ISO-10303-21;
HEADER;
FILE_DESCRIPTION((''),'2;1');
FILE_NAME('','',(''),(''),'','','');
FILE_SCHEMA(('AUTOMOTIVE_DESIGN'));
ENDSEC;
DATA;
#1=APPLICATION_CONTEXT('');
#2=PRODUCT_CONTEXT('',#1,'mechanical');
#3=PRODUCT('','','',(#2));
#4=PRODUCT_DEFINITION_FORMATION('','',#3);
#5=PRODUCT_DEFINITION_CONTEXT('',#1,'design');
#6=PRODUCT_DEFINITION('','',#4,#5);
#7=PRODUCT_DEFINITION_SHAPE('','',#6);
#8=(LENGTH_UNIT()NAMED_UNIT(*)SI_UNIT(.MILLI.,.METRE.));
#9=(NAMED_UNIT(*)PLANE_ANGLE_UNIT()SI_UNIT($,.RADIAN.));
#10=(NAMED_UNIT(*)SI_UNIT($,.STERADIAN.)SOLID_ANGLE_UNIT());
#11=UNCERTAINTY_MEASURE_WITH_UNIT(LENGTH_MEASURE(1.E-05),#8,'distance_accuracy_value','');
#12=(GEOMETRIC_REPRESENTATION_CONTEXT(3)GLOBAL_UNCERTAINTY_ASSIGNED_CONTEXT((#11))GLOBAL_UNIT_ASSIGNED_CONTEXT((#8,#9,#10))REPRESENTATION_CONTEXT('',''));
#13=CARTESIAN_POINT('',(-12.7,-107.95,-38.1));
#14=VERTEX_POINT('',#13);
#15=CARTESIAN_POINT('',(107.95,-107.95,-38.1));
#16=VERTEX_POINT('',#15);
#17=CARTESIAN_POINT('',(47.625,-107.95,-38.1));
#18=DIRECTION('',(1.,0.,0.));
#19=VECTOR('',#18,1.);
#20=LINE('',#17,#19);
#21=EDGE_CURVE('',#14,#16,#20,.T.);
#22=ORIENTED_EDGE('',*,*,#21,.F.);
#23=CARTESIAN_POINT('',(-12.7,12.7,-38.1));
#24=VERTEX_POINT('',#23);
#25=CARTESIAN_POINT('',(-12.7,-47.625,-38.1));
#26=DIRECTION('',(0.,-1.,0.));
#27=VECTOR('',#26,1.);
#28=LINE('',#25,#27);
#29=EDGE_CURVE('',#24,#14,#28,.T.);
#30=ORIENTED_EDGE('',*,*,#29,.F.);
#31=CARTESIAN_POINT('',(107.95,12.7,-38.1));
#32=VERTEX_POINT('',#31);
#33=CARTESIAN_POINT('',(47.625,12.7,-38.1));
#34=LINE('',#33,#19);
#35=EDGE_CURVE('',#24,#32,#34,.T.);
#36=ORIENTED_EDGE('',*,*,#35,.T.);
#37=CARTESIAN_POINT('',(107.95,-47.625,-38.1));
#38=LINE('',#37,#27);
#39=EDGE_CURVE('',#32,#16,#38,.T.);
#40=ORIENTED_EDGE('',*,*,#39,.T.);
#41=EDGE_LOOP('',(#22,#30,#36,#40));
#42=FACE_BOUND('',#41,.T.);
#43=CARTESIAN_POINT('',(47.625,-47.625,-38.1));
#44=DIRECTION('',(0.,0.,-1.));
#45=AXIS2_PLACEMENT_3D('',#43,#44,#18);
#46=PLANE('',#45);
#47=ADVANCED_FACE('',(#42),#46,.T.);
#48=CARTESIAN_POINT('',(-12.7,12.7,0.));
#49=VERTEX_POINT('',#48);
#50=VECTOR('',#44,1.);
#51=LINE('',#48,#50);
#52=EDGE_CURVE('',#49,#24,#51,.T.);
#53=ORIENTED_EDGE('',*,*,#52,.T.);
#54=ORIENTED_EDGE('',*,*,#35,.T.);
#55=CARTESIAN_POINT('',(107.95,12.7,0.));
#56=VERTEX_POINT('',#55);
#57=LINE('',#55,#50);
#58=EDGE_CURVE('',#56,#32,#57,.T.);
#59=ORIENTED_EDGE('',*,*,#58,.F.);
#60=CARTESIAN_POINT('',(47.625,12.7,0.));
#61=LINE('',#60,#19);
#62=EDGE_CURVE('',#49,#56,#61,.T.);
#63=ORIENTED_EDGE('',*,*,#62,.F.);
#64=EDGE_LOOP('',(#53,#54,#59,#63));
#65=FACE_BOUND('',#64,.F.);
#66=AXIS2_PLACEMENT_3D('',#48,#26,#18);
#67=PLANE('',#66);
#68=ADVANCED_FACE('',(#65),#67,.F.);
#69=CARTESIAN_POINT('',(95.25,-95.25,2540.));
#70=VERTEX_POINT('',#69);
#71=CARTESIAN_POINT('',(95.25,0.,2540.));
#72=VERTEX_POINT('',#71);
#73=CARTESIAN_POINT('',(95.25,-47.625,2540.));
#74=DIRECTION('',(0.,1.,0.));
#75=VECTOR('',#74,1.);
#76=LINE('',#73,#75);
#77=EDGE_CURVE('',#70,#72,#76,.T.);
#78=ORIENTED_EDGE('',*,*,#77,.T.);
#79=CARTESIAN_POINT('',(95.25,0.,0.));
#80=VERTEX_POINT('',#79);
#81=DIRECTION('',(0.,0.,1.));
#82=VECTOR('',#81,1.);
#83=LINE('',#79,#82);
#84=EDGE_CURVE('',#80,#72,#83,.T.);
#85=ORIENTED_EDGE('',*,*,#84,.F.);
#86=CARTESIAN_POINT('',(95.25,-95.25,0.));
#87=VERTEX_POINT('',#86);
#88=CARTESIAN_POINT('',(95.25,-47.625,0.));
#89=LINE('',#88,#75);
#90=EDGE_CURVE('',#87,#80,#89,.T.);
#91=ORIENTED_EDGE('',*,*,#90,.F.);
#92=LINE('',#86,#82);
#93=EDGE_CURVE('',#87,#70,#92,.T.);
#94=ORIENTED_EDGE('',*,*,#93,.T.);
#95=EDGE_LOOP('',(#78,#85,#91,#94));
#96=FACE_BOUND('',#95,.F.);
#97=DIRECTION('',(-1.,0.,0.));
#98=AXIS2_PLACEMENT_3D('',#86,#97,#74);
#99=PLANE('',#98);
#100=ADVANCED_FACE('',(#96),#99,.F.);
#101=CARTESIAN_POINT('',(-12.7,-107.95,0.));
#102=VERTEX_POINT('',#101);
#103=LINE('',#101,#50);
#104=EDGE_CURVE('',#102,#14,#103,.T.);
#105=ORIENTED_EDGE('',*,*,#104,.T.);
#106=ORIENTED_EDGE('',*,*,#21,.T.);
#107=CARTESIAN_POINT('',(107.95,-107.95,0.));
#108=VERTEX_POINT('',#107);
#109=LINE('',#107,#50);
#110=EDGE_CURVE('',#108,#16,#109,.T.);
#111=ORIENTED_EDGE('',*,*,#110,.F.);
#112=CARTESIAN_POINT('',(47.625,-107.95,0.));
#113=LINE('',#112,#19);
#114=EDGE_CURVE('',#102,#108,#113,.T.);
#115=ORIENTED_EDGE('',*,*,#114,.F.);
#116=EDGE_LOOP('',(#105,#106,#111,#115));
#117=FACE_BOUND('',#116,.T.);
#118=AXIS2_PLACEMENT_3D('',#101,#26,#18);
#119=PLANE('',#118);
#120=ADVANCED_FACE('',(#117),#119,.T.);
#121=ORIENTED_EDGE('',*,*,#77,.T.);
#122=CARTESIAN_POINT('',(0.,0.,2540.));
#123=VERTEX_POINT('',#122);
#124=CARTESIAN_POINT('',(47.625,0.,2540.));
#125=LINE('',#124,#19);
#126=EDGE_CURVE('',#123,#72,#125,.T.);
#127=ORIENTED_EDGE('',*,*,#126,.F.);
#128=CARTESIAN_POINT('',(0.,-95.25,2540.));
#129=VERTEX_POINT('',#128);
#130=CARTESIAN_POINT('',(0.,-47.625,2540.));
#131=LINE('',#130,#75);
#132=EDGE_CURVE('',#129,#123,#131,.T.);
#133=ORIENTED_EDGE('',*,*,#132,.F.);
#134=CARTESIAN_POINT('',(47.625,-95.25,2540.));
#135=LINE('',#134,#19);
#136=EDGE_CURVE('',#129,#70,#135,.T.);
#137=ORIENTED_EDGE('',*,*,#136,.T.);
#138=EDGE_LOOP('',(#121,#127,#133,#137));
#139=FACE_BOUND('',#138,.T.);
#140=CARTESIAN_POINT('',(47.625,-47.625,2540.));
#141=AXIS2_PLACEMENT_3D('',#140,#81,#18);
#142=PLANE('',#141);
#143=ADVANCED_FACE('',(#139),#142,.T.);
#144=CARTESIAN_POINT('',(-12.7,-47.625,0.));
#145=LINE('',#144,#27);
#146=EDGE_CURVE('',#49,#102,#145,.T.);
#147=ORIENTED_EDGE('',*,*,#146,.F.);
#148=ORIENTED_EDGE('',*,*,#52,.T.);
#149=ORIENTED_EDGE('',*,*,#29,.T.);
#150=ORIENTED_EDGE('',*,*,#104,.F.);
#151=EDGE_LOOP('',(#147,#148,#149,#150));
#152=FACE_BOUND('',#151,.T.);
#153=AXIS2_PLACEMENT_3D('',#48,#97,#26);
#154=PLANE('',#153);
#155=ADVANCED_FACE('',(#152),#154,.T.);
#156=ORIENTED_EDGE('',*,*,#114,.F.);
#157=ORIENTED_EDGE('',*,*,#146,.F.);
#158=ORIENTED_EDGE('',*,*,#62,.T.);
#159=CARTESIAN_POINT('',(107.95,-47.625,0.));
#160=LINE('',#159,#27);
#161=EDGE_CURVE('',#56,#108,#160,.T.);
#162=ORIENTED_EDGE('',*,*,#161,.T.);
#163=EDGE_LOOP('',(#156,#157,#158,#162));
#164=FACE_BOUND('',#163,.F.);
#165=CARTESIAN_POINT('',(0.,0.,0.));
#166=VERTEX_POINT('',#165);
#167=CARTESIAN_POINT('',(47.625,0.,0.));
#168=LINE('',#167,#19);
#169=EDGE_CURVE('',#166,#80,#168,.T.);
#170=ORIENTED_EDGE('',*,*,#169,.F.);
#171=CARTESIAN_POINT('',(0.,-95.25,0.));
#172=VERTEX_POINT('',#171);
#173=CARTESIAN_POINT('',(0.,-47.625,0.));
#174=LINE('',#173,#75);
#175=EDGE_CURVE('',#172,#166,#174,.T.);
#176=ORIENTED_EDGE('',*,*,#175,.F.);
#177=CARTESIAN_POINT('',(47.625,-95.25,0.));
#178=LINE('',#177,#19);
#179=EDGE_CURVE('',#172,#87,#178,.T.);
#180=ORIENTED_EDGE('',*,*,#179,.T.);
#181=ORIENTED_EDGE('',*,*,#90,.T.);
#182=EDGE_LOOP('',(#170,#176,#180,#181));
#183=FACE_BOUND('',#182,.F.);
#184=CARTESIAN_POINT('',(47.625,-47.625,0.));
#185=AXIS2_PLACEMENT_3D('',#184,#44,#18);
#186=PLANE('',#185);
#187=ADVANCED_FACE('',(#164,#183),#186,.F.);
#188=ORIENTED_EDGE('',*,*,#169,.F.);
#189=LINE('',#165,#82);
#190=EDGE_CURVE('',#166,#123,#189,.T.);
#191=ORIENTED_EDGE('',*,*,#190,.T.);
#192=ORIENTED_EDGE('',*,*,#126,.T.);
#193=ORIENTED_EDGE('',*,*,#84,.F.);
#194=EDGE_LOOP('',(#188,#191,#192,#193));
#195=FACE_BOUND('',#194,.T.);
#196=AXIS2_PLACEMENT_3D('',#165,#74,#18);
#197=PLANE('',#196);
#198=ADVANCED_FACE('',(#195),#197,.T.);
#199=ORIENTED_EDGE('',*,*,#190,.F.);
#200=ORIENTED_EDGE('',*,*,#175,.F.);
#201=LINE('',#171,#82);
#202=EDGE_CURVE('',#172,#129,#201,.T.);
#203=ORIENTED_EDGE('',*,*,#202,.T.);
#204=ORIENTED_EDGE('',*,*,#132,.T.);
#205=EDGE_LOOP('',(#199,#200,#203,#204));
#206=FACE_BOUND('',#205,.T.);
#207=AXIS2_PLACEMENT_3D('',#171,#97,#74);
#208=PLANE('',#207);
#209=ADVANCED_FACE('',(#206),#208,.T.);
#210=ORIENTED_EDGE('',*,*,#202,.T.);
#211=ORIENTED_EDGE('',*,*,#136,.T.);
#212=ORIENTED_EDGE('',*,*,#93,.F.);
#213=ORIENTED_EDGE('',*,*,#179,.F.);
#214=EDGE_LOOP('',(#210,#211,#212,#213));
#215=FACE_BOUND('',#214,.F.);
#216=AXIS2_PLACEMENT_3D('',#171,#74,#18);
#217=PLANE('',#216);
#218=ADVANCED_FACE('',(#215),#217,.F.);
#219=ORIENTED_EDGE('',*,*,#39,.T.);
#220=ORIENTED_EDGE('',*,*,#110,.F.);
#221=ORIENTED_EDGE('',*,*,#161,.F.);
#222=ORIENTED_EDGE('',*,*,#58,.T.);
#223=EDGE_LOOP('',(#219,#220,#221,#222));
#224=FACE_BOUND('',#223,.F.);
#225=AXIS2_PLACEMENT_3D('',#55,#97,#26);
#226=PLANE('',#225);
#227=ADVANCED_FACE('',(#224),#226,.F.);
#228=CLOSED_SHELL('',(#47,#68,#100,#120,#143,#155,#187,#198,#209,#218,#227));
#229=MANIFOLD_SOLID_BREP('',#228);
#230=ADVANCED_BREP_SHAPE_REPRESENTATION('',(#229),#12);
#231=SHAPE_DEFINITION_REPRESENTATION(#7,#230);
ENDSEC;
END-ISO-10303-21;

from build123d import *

# Parameters (mm, degrees)
F0_W     = 95.25
F0_H     = 95.25
F1_DEPTH = 2540
F2_W     = 120.65
F2_H     = 120.65
F2_W_2   = 95.25
F2_H_2   = 95.25
F3_DEPTH = 38.1


with BuildPart() as f1:
    # F0 (on Top) → F1 (new body)
    with BuildSketch(Plane.XY):
        with Locations((47.625, -47.625)):
            Rectangle(F0_W, F0_H)
    extrude(amount=F1_DEPTH)

    # F2 (on face) → F3 (join)
    with BuildSketch(Plane(origin=(0, 0, 0), x_dir=(1, 0, 0), z_dir=(0, 0, -1))):
        with Locations((47.625, 47.625)):
            Rectangle(F2_W, F2_H)
        with Locations((47.625, 47.625)):
            Rectangle(F2_W_2, F2_H_2, mode=Mode.SUBTRACT)
        with Locations((47.625, 47.625)):
            Rectangle(F2_W_2, F2_H_2)
    extrude(amount=F3_DEPTH)


solid = f1.part
